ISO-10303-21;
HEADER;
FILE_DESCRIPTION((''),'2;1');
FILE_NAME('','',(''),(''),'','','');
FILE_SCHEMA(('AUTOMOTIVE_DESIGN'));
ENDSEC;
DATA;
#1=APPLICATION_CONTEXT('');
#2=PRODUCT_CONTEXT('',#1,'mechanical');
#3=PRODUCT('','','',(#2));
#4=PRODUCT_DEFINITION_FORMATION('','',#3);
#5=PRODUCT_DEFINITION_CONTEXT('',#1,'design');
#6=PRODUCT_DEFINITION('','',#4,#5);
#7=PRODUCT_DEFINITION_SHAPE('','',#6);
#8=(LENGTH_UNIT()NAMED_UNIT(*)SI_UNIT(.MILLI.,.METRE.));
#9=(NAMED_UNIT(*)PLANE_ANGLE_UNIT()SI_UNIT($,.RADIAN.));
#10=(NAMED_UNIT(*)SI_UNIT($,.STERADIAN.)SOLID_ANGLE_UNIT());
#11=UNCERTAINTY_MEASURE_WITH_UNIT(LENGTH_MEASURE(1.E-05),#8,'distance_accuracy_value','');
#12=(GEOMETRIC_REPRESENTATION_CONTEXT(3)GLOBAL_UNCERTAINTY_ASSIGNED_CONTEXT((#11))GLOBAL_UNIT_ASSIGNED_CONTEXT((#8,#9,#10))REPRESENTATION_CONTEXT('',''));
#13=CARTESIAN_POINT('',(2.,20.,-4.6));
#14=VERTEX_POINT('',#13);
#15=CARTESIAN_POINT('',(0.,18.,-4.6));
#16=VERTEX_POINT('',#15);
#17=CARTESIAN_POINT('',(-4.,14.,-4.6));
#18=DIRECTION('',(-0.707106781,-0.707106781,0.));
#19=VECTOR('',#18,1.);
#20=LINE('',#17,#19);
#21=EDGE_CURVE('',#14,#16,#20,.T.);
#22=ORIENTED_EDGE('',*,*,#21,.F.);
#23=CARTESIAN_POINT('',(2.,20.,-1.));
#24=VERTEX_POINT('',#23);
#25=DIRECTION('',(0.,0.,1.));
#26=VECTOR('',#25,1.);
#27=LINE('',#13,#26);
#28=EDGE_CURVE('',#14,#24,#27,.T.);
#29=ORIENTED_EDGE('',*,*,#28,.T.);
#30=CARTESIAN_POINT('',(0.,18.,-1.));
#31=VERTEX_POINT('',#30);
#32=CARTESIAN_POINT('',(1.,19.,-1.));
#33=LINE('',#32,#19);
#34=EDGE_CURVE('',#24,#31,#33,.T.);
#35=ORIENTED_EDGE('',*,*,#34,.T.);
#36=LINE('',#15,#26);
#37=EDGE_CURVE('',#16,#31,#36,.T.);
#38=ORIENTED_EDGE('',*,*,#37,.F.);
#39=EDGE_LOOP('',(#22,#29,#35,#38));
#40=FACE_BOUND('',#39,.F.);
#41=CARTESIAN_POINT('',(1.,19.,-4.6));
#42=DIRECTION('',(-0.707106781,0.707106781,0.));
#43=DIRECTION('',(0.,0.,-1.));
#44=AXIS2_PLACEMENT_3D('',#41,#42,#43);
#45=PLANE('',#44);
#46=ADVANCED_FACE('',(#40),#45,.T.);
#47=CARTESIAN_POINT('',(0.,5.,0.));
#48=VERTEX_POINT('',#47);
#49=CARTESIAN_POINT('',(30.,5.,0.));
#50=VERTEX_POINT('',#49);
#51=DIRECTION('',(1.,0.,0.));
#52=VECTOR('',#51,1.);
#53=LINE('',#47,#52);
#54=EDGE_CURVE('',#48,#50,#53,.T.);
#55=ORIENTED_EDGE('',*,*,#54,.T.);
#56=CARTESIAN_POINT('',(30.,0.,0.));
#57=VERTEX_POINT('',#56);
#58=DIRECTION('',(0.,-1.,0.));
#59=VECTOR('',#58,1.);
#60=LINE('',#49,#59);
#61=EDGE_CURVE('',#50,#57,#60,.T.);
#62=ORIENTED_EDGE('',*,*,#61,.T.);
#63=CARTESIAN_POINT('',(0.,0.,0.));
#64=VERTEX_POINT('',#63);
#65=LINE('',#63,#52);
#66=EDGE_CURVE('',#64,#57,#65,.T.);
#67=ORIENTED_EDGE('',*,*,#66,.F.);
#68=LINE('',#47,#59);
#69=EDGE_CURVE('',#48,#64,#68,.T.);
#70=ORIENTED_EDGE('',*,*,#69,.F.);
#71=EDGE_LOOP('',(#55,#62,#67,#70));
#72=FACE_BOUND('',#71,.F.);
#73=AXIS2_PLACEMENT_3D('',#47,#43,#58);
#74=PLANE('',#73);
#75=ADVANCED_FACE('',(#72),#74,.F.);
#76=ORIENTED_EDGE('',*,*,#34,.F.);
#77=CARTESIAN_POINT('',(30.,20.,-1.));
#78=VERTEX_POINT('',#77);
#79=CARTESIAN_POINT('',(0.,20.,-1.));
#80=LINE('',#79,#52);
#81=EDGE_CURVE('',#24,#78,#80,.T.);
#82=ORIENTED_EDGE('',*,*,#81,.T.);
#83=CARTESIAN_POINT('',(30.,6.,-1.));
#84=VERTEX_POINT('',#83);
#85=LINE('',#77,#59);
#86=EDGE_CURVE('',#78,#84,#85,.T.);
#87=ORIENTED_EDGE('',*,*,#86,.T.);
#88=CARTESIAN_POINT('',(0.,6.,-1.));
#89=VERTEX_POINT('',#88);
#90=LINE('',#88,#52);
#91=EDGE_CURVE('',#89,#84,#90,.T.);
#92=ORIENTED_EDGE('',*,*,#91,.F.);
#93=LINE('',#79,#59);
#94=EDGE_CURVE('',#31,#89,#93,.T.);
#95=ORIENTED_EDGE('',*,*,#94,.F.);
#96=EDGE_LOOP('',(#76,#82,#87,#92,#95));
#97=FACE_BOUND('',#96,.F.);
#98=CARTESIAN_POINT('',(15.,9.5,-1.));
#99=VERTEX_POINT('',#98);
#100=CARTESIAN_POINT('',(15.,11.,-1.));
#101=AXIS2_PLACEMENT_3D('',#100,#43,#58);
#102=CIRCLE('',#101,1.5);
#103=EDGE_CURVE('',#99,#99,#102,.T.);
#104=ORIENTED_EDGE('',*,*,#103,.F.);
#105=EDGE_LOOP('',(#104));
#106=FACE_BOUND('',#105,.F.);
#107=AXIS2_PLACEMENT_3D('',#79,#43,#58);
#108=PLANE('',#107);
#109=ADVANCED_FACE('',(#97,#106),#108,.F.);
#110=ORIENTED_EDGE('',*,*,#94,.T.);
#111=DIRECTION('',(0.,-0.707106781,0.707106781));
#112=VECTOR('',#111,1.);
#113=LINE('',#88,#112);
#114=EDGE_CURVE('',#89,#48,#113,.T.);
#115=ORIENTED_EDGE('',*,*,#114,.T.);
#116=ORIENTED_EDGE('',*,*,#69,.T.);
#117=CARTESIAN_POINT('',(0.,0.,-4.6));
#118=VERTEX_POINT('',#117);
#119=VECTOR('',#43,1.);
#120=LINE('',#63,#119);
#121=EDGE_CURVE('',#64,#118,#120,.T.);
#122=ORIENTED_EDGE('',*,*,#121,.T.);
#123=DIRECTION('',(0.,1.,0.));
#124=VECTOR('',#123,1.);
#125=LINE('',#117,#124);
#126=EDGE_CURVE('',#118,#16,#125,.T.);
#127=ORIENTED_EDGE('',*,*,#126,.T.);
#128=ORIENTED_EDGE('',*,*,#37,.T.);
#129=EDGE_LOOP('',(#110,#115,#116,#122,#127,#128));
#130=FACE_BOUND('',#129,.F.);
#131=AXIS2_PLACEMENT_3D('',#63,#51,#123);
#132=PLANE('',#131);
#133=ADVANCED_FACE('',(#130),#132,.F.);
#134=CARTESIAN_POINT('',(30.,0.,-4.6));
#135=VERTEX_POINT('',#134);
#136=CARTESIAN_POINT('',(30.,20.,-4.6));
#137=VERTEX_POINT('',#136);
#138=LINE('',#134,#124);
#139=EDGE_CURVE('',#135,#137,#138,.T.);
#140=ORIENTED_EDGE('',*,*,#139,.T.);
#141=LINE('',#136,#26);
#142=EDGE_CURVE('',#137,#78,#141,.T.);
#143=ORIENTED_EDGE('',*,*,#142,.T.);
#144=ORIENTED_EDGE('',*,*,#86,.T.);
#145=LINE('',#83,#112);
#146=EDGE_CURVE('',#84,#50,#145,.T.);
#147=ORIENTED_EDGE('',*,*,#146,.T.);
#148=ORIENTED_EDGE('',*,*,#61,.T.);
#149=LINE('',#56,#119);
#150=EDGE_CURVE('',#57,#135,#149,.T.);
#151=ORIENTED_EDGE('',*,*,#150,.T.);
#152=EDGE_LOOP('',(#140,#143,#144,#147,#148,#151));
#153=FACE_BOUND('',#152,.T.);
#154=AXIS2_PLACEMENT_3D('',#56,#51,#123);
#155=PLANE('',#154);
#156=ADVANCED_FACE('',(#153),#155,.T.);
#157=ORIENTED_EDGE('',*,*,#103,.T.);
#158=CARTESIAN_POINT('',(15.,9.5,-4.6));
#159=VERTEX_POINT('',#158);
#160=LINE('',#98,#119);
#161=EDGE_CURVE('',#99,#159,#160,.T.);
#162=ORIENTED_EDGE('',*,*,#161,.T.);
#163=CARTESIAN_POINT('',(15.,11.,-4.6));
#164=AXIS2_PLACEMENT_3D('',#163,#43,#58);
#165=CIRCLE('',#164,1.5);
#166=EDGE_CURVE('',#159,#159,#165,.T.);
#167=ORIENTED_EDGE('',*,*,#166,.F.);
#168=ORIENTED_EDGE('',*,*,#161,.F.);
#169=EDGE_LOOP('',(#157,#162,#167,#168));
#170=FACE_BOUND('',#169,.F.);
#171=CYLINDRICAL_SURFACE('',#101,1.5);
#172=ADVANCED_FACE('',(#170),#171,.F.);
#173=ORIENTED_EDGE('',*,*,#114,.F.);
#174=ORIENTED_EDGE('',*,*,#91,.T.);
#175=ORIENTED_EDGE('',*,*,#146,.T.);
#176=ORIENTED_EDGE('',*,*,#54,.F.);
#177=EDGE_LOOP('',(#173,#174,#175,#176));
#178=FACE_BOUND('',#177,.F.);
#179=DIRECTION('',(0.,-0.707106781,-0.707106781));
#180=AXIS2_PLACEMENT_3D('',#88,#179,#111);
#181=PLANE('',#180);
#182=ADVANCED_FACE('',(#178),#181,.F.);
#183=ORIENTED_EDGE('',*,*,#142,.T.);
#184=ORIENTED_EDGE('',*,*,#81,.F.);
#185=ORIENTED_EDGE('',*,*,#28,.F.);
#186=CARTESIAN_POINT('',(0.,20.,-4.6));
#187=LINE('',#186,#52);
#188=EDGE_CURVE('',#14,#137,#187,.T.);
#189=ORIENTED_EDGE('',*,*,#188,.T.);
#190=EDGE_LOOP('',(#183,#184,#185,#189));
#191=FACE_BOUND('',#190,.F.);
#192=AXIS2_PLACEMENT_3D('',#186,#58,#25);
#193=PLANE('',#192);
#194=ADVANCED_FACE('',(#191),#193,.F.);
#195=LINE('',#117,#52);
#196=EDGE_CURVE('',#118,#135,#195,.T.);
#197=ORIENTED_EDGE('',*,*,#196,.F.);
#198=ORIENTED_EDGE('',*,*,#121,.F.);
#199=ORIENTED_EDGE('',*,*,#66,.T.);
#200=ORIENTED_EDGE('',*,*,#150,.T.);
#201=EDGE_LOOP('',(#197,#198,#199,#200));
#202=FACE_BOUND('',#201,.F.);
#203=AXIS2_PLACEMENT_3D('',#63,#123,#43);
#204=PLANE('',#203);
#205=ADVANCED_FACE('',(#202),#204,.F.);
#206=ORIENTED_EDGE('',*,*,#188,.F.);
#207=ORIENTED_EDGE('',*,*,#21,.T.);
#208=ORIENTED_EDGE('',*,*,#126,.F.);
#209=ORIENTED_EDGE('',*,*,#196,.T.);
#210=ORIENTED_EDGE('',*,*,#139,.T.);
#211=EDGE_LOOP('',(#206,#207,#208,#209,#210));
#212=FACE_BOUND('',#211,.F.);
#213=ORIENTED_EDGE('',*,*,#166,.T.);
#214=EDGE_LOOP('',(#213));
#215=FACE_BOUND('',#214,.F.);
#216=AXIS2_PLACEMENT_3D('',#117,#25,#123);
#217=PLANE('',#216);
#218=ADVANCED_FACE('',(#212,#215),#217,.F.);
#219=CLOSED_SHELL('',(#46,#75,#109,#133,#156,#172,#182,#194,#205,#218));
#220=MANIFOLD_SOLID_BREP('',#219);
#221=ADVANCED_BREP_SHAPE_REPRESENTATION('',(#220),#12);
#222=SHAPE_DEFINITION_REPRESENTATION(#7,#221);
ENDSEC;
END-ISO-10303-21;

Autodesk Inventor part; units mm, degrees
ref_plane "YZ Plane" through (0, 0, 0) normal (1, 0, 0) x (0, 1, 0)
ref_plane "XZ Plane" through (0, 0, 0) normal (0, 1, 0) x (-1, 0, 0)
ref_plane "XY Plane" through (0, 0, 0) normal (0, 0, 1) x (1, 0, 0)
sketch "Sketch1" plane through (0, 0, 0) normal (1, 0, 0) x (0, 1, 0)
  line L0 (0, 0) -> (0, -4.6)
  line L1 (0, -4.6) -> (20, -4.6)
  line L2 (20, -4.6) -> (20, -1)
  line L3 (20, -1) -> (6, -1)
  line L4 (6, -1) -> (5, 0)
  line L5 (5, 0) -> (0, 0)
  dimension "d1" = 20
  dimension "d2" = 5
  dimension "d3" = 3.6
  dimension "d4" = 4.6
  dimension "d5" = 1
extrude "Extrusion1" add sketch "Sketch1" along normal blind 30
chamfer "Chamfer1" distance 2 angle 45 1 edges at (0, 20, -2.8)
sketch "Sketch2" plane through (0, 6, -1) normal (0, 0, 1) x (1, 0, 0)
  circle A0 centre (15, 5) radius 1.6
  line L0 (0, -6) -> (30, -6) projected
  line L1 (30, 14) -> (30, 0) projected
  dimension "d11" = 11
  dimension "d12" = 3.2
  dimension "d13" = 15
hole "Hole1" at (15, 11, -1) direction (0, 0, -1) diameter 3 depth 10 tip angle 118
properties part number "BrueckenGR_LVE2560E"
